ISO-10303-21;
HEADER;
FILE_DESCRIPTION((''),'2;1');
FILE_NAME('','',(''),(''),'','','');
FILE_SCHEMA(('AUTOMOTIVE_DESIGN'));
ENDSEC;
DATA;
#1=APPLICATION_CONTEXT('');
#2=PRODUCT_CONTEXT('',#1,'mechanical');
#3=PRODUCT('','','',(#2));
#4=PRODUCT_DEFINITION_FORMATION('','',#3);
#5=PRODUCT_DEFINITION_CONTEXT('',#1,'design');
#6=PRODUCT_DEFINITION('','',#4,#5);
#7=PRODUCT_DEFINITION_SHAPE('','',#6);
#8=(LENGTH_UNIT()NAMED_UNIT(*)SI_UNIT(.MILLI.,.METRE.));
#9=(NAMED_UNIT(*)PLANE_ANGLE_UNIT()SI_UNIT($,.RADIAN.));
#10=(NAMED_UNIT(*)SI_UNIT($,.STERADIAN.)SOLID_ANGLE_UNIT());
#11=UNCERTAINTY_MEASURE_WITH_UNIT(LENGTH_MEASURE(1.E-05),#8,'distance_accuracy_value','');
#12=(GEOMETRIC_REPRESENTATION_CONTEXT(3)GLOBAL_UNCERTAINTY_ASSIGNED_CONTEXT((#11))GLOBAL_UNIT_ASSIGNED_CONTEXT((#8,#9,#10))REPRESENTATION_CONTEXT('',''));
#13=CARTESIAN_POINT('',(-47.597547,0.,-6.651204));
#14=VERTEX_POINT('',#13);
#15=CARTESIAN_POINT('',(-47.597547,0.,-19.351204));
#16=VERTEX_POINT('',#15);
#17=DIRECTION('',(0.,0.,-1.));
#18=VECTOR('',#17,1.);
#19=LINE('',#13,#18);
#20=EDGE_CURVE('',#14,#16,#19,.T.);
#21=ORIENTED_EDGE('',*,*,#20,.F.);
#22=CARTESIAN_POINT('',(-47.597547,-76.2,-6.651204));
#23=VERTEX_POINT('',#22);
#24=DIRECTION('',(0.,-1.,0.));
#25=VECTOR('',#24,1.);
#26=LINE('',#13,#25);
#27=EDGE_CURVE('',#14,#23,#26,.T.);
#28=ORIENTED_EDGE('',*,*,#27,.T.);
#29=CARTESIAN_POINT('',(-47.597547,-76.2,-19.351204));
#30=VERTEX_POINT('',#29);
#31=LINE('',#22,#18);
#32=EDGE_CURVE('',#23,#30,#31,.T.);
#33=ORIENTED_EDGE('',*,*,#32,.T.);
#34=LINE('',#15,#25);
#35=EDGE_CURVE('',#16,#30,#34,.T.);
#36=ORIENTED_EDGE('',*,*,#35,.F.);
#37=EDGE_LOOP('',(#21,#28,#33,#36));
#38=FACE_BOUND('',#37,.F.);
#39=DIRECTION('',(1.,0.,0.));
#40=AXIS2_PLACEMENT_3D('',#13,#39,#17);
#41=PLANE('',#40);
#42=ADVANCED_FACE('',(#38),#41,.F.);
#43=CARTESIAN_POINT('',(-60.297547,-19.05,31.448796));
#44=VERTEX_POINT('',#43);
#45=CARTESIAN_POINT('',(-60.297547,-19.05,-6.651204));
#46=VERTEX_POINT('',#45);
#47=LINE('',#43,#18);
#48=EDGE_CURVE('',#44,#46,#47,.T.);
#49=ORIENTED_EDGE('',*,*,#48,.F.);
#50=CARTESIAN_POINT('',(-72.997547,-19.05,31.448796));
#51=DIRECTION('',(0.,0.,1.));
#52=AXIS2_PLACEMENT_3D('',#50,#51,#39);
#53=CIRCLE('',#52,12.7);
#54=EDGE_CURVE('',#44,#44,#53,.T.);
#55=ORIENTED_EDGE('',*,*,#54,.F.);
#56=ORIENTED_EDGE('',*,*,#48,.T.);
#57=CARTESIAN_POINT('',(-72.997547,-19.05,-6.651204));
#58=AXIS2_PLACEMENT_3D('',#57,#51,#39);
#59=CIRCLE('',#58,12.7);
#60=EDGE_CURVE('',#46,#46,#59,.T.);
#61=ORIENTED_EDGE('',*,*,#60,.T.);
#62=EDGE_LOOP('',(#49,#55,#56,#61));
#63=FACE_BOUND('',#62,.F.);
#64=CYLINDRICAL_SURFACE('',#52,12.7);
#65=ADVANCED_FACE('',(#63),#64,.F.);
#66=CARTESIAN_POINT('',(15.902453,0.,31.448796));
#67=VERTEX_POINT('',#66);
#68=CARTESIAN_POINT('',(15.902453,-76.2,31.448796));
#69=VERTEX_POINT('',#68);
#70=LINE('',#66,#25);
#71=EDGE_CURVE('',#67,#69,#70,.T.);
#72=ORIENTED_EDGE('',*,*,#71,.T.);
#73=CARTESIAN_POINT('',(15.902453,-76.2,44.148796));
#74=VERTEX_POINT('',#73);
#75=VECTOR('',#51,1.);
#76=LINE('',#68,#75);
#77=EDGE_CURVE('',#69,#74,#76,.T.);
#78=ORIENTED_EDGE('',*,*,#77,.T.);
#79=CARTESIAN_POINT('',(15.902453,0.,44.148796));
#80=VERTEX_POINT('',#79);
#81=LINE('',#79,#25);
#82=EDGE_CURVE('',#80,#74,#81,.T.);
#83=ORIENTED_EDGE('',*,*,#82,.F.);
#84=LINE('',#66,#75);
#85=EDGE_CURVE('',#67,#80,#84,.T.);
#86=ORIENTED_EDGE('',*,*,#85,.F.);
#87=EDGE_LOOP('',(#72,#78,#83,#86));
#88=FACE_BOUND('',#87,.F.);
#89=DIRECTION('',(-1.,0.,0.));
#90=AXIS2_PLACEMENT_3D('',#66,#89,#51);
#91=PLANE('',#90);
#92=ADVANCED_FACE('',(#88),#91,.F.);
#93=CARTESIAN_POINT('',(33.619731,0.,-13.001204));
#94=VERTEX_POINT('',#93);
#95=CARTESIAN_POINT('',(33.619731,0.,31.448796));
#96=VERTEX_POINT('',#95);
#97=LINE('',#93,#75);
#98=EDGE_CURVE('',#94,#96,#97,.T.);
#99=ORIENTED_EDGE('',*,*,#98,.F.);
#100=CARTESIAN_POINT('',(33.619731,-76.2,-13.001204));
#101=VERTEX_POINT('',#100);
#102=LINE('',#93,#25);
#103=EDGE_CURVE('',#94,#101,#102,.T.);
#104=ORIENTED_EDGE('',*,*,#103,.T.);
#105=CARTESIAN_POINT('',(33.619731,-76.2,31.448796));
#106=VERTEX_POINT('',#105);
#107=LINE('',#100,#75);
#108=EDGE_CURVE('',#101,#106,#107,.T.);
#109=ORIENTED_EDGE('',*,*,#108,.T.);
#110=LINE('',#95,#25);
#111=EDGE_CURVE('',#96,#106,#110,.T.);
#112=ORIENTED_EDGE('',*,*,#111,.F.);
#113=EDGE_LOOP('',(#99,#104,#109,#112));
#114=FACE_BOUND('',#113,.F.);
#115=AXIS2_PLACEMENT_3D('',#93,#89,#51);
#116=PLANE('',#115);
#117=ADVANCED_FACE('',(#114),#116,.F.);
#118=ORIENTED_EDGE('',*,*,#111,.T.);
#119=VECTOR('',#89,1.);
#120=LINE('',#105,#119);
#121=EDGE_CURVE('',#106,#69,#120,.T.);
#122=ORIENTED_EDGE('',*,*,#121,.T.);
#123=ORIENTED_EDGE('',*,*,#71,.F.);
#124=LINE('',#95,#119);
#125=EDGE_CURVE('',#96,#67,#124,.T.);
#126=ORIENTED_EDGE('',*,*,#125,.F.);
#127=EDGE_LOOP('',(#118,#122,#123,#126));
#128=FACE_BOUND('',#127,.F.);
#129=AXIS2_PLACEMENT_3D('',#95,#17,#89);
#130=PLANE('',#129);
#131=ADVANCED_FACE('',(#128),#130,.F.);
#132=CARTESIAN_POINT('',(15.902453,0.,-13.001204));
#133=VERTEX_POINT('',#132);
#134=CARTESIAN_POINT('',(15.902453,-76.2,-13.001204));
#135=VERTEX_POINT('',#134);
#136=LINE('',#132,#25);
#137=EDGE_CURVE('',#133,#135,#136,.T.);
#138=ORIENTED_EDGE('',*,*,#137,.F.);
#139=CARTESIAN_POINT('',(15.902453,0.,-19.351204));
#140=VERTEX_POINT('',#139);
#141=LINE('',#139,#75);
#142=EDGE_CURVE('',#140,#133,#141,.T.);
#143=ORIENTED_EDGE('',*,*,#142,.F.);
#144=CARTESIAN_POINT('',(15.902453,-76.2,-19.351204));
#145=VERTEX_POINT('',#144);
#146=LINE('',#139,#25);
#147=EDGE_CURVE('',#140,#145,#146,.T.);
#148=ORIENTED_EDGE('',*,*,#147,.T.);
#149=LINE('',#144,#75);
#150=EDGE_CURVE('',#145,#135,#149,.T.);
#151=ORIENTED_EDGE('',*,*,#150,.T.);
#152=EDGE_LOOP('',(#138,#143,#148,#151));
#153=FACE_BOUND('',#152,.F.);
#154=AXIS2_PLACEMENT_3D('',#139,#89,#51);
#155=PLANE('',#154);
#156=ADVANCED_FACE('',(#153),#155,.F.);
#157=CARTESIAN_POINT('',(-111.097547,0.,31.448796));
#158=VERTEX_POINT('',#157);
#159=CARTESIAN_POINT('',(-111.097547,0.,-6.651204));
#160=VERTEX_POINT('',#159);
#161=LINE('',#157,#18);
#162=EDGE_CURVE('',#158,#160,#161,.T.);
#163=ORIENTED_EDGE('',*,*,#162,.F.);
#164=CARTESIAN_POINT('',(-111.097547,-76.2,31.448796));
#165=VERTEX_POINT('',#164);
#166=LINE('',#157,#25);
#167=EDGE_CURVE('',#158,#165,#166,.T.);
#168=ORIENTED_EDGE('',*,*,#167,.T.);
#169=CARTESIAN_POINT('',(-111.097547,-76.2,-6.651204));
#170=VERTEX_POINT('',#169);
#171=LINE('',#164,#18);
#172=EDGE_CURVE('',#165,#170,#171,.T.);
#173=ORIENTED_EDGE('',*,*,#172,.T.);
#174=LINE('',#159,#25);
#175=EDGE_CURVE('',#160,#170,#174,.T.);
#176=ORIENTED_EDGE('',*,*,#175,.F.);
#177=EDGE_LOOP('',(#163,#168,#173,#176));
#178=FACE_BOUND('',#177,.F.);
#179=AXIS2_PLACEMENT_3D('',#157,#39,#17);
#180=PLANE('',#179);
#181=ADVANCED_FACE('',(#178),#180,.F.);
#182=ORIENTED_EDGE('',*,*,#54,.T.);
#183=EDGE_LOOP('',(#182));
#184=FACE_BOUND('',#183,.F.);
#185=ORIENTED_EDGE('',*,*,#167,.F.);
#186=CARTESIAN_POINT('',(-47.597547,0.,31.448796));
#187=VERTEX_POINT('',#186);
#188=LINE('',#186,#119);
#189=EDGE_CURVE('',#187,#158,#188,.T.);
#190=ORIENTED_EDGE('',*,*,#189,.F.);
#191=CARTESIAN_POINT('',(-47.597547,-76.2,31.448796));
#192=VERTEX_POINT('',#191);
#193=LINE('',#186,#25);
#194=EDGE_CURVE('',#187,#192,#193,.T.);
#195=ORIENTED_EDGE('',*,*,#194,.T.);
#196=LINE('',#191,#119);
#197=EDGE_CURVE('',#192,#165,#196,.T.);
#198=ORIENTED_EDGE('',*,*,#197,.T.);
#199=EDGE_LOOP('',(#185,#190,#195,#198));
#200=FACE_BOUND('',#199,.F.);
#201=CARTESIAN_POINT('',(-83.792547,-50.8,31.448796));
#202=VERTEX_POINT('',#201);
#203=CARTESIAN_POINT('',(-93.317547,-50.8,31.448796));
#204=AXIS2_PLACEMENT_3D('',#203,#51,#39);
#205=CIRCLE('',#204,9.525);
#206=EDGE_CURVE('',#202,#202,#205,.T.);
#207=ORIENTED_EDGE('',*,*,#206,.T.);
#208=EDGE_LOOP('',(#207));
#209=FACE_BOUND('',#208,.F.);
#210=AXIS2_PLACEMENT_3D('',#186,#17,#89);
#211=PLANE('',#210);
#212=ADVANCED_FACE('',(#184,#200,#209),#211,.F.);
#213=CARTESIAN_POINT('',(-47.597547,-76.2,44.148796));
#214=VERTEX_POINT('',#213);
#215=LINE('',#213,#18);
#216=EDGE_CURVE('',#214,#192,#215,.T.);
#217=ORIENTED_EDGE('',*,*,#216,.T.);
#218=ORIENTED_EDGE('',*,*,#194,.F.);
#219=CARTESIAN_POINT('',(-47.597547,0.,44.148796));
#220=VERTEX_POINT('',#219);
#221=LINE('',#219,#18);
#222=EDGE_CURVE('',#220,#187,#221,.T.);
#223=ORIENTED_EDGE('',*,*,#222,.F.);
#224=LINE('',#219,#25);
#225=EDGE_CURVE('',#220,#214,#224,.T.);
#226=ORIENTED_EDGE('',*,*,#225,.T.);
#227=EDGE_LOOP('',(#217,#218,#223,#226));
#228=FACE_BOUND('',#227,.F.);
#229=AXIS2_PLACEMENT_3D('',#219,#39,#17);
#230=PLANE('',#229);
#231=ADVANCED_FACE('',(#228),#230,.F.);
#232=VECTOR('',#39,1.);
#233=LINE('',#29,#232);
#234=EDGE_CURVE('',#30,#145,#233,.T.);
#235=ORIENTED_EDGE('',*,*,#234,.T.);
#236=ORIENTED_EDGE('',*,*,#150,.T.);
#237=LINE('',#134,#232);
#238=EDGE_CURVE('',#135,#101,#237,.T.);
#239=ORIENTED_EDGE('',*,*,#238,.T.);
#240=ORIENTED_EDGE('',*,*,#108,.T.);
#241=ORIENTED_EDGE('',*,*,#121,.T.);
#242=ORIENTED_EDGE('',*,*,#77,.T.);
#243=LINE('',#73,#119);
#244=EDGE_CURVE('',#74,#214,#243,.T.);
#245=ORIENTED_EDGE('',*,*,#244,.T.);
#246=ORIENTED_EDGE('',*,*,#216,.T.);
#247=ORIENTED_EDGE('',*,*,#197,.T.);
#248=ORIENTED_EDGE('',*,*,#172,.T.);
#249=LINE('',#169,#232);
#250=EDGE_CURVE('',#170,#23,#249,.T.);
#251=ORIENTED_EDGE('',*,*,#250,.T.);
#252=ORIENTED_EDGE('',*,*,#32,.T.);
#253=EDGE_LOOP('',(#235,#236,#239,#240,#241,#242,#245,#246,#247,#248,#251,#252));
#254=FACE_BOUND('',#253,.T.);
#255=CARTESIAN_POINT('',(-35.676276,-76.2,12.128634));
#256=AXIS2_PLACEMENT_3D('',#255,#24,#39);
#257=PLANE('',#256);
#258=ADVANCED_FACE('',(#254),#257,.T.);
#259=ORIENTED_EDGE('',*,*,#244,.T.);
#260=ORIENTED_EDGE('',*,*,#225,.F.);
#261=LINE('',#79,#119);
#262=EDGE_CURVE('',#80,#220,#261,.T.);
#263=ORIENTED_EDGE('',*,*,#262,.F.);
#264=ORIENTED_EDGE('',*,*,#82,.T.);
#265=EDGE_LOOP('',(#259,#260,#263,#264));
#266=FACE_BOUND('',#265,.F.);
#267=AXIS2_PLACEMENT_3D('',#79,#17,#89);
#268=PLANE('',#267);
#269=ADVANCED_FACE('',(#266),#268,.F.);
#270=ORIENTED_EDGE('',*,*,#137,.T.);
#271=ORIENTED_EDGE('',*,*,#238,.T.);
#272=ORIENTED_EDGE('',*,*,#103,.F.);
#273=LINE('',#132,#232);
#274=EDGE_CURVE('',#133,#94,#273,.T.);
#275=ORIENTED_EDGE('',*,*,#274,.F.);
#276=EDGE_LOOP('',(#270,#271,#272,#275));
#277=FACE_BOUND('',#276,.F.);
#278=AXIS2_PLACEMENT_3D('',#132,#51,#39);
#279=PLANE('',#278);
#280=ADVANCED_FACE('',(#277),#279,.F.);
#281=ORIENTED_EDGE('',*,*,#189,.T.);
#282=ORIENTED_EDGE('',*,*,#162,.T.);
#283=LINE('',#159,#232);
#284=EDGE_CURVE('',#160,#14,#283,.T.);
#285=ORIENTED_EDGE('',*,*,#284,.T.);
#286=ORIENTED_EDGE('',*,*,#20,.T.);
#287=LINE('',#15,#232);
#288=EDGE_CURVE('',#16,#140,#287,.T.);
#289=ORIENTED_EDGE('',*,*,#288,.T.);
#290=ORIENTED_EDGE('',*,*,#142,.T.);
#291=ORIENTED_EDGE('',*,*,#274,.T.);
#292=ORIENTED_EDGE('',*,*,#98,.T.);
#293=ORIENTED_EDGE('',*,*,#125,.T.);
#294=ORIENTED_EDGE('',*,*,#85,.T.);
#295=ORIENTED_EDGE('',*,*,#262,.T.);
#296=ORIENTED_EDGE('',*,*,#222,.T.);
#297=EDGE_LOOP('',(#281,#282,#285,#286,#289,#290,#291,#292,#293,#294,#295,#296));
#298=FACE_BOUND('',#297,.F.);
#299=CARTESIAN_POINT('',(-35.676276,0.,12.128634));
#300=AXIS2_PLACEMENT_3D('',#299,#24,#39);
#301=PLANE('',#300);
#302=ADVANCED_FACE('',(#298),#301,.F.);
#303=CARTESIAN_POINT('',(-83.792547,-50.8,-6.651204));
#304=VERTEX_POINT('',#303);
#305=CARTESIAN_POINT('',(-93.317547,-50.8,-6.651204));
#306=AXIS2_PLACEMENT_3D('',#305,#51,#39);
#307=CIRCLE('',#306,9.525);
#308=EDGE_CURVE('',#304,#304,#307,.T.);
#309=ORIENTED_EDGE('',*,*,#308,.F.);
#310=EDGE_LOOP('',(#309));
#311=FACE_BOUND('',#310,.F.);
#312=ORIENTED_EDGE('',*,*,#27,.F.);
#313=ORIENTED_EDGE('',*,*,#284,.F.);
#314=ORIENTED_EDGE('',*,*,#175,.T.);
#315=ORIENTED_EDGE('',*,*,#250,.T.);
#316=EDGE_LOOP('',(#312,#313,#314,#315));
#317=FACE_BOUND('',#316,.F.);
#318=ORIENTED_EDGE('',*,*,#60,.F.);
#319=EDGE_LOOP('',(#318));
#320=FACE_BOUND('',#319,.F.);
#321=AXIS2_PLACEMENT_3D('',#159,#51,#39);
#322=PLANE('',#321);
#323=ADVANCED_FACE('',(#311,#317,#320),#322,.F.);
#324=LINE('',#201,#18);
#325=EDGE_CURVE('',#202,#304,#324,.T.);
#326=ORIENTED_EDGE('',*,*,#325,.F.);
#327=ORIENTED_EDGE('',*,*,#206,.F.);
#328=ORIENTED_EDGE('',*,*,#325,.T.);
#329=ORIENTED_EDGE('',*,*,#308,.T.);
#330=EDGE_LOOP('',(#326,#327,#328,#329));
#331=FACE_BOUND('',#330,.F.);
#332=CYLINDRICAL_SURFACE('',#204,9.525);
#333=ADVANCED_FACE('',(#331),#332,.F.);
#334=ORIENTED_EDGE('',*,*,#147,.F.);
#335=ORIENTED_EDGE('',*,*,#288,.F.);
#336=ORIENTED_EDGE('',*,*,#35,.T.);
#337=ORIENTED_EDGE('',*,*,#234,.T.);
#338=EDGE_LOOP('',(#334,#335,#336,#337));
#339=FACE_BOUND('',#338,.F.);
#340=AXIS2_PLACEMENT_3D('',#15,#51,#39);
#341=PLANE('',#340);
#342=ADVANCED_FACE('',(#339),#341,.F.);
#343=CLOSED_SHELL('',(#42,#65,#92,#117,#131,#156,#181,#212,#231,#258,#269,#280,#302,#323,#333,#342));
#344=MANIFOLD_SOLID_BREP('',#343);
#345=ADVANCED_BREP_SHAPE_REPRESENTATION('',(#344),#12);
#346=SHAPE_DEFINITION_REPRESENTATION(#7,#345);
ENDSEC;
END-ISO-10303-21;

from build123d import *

# Parameters (mm, degrees)
F1_DEPTH = 76.2
F2_R     = 12.7
F2_R_2   = 9.525
F3_DEPTH = 38.1


with BuildPart() as f1:
    # F0 (on Front) → F1 (new body)
    with BuildSketch(Plane.XZ):
        Polygon((15.902453, 44.148796), (-47.597547, 44.148796), (-47.597547, 31.448796), (-111.097547, 31.448796), (-111.097547, -6.651204), (-47.597547, -6.651204), (-47.597547, -19.351204), (15.902453, -19.351204), (15.902453, -13.001204), (33.619731, -13.001204), (33.619731, 31.448796), (15.902453, 31.448796), align=None)
    extrude(amount=F1_DEPTH)

    # F2 (on face) → F3 (cut, through all)
    with BuildSketch(Plane.XY.offset(31.448796)):
        with Locations((-72.997547, -19.05)):
            Circle(F2_R)
        with Locations((-93.317547, -50.8)):
            Circle(F2_R_2)
    extrude(amount=-F3_DEPTH, mode=Mode.SUBTRACT)


solid = f1.part
